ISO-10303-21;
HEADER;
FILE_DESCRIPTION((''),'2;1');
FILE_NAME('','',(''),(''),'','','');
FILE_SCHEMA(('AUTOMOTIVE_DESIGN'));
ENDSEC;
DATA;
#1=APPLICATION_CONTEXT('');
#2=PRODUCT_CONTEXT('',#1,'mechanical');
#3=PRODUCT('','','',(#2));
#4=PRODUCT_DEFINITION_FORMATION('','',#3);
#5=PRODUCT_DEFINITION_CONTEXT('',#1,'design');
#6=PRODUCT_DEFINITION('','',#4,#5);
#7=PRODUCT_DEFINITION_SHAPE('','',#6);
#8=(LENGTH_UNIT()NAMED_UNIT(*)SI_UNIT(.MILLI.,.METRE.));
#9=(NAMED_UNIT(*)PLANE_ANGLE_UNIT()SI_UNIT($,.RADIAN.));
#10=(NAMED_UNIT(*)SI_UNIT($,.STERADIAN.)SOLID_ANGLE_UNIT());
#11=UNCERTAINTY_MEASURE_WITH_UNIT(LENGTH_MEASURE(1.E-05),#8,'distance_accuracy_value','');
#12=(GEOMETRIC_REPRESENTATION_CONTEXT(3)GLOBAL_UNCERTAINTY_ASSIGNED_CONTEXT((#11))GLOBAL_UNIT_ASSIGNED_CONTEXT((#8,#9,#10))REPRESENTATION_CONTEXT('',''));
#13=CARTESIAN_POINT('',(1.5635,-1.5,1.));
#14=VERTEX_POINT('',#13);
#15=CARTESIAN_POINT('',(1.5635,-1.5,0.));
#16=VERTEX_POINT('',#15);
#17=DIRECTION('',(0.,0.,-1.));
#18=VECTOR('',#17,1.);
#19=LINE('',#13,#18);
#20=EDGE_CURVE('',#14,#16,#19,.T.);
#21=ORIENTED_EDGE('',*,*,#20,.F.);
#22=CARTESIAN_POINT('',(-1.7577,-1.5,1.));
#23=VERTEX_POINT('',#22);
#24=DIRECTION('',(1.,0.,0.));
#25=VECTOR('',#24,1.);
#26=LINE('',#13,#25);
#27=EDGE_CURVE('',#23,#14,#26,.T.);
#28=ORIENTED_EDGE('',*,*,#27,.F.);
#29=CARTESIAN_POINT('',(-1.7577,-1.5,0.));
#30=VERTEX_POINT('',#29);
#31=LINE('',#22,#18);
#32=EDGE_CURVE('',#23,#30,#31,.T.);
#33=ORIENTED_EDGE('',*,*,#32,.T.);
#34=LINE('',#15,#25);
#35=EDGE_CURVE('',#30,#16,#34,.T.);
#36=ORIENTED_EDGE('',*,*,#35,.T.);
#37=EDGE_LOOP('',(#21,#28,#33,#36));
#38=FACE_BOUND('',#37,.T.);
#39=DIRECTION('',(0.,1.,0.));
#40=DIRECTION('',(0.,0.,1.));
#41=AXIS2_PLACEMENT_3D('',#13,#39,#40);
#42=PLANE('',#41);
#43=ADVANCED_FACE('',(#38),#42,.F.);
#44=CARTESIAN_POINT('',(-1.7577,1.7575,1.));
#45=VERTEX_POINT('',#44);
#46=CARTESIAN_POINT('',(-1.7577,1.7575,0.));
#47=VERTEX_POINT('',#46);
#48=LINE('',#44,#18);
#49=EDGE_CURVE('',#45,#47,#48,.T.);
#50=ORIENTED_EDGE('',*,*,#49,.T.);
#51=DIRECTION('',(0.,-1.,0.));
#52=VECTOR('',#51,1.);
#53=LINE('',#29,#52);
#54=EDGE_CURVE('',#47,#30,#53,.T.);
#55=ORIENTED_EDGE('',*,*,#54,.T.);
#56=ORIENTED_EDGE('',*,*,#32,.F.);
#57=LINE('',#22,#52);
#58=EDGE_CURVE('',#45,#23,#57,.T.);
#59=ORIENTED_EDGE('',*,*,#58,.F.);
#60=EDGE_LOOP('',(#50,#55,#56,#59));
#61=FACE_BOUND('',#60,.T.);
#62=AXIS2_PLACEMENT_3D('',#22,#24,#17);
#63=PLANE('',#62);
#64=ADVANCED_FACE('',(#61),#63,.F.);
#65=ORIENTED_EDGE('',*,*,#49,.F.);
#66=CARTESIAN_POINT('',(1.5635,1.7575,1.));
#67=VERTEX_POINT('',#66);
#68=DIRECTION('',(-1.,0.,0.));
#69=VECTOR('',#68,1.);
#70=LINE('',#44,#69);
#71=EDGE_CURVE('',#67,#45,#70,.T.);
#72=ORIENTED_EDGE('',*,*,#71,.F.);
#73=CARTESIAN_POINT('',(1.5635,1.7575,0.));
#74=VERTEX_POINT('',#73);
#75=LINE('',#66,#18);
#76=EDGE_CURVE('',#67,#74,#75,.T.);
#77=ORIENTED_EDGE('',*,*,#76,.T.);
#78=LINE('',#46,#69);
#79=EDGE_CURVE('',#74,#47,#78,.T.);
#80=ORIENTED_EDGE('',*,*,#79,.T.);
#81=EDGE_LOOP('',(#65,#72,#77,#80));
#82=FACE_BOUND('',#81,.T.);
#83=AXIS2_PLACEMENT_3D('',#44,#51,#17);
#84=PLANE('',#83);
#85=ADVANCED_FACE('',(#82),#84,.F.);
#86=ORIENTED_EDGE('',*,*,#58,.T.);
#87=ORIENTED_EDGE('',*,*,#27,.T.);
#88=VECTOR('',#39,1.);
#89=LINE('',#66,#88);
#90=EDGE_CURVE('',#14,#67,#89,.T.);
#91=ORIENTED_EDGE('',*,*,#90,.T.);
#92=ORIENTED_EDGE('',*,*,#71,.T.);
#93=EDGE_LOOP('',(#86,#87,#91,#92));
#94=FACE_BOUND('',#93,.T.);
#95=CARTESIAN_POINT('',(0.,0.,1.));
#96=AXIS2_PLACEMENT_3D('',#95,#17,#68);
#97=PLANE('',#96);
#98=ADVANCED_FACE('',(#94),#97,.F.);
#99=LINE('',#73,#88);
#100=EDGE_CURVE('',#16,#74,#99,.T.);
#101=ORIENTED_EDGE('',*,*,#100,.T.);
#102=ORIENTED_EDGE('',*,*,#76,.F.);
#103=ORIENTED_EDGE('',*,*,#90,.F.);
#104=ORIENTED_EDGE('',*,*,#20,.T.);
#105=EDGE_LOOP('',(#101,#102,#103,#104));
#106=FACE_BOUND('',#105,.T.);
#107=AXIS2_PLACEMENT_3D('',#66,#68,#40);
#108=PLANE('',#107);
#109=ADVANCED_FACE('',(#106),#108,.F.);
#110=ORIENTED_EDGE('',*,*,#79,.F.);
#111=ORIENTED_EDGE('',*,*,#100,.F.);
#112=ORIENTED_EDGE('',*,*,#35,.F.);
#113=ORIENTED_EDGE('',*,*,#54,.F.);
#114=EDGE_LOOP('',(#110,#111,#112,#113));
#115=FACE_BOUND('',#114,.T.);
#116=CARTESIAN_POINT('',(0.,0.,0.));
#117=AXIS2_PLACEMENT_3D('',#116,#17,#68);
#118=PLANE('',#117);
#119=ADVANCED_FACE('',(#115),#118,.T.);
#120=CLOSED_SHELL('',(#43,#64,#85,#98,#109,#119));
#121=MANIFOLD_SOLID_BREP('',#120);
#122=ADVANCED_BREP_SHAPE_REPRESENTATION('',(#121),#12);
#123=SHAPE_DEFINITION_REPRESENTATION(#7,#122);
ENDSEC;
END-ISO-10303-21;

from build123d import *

# Parameters (mm, degrees)
SKETCH1_W               = 3.3212
SKETCH1_H               = 3.2575
COMPONENT_OUTLINE_DEPTH = 1


with BuildPart() as part:
    # Sketch1 → Component_Outline (new body)
    with BuildSketch(Plane.XY):
        with Locations((-0.0971, 0.12875)):
            Rectangle(SKETCH1_W, SKETCH1_H)
    extrude(amount=COMPONENT_OUTLINE_DEPTH)


solid = part.part
